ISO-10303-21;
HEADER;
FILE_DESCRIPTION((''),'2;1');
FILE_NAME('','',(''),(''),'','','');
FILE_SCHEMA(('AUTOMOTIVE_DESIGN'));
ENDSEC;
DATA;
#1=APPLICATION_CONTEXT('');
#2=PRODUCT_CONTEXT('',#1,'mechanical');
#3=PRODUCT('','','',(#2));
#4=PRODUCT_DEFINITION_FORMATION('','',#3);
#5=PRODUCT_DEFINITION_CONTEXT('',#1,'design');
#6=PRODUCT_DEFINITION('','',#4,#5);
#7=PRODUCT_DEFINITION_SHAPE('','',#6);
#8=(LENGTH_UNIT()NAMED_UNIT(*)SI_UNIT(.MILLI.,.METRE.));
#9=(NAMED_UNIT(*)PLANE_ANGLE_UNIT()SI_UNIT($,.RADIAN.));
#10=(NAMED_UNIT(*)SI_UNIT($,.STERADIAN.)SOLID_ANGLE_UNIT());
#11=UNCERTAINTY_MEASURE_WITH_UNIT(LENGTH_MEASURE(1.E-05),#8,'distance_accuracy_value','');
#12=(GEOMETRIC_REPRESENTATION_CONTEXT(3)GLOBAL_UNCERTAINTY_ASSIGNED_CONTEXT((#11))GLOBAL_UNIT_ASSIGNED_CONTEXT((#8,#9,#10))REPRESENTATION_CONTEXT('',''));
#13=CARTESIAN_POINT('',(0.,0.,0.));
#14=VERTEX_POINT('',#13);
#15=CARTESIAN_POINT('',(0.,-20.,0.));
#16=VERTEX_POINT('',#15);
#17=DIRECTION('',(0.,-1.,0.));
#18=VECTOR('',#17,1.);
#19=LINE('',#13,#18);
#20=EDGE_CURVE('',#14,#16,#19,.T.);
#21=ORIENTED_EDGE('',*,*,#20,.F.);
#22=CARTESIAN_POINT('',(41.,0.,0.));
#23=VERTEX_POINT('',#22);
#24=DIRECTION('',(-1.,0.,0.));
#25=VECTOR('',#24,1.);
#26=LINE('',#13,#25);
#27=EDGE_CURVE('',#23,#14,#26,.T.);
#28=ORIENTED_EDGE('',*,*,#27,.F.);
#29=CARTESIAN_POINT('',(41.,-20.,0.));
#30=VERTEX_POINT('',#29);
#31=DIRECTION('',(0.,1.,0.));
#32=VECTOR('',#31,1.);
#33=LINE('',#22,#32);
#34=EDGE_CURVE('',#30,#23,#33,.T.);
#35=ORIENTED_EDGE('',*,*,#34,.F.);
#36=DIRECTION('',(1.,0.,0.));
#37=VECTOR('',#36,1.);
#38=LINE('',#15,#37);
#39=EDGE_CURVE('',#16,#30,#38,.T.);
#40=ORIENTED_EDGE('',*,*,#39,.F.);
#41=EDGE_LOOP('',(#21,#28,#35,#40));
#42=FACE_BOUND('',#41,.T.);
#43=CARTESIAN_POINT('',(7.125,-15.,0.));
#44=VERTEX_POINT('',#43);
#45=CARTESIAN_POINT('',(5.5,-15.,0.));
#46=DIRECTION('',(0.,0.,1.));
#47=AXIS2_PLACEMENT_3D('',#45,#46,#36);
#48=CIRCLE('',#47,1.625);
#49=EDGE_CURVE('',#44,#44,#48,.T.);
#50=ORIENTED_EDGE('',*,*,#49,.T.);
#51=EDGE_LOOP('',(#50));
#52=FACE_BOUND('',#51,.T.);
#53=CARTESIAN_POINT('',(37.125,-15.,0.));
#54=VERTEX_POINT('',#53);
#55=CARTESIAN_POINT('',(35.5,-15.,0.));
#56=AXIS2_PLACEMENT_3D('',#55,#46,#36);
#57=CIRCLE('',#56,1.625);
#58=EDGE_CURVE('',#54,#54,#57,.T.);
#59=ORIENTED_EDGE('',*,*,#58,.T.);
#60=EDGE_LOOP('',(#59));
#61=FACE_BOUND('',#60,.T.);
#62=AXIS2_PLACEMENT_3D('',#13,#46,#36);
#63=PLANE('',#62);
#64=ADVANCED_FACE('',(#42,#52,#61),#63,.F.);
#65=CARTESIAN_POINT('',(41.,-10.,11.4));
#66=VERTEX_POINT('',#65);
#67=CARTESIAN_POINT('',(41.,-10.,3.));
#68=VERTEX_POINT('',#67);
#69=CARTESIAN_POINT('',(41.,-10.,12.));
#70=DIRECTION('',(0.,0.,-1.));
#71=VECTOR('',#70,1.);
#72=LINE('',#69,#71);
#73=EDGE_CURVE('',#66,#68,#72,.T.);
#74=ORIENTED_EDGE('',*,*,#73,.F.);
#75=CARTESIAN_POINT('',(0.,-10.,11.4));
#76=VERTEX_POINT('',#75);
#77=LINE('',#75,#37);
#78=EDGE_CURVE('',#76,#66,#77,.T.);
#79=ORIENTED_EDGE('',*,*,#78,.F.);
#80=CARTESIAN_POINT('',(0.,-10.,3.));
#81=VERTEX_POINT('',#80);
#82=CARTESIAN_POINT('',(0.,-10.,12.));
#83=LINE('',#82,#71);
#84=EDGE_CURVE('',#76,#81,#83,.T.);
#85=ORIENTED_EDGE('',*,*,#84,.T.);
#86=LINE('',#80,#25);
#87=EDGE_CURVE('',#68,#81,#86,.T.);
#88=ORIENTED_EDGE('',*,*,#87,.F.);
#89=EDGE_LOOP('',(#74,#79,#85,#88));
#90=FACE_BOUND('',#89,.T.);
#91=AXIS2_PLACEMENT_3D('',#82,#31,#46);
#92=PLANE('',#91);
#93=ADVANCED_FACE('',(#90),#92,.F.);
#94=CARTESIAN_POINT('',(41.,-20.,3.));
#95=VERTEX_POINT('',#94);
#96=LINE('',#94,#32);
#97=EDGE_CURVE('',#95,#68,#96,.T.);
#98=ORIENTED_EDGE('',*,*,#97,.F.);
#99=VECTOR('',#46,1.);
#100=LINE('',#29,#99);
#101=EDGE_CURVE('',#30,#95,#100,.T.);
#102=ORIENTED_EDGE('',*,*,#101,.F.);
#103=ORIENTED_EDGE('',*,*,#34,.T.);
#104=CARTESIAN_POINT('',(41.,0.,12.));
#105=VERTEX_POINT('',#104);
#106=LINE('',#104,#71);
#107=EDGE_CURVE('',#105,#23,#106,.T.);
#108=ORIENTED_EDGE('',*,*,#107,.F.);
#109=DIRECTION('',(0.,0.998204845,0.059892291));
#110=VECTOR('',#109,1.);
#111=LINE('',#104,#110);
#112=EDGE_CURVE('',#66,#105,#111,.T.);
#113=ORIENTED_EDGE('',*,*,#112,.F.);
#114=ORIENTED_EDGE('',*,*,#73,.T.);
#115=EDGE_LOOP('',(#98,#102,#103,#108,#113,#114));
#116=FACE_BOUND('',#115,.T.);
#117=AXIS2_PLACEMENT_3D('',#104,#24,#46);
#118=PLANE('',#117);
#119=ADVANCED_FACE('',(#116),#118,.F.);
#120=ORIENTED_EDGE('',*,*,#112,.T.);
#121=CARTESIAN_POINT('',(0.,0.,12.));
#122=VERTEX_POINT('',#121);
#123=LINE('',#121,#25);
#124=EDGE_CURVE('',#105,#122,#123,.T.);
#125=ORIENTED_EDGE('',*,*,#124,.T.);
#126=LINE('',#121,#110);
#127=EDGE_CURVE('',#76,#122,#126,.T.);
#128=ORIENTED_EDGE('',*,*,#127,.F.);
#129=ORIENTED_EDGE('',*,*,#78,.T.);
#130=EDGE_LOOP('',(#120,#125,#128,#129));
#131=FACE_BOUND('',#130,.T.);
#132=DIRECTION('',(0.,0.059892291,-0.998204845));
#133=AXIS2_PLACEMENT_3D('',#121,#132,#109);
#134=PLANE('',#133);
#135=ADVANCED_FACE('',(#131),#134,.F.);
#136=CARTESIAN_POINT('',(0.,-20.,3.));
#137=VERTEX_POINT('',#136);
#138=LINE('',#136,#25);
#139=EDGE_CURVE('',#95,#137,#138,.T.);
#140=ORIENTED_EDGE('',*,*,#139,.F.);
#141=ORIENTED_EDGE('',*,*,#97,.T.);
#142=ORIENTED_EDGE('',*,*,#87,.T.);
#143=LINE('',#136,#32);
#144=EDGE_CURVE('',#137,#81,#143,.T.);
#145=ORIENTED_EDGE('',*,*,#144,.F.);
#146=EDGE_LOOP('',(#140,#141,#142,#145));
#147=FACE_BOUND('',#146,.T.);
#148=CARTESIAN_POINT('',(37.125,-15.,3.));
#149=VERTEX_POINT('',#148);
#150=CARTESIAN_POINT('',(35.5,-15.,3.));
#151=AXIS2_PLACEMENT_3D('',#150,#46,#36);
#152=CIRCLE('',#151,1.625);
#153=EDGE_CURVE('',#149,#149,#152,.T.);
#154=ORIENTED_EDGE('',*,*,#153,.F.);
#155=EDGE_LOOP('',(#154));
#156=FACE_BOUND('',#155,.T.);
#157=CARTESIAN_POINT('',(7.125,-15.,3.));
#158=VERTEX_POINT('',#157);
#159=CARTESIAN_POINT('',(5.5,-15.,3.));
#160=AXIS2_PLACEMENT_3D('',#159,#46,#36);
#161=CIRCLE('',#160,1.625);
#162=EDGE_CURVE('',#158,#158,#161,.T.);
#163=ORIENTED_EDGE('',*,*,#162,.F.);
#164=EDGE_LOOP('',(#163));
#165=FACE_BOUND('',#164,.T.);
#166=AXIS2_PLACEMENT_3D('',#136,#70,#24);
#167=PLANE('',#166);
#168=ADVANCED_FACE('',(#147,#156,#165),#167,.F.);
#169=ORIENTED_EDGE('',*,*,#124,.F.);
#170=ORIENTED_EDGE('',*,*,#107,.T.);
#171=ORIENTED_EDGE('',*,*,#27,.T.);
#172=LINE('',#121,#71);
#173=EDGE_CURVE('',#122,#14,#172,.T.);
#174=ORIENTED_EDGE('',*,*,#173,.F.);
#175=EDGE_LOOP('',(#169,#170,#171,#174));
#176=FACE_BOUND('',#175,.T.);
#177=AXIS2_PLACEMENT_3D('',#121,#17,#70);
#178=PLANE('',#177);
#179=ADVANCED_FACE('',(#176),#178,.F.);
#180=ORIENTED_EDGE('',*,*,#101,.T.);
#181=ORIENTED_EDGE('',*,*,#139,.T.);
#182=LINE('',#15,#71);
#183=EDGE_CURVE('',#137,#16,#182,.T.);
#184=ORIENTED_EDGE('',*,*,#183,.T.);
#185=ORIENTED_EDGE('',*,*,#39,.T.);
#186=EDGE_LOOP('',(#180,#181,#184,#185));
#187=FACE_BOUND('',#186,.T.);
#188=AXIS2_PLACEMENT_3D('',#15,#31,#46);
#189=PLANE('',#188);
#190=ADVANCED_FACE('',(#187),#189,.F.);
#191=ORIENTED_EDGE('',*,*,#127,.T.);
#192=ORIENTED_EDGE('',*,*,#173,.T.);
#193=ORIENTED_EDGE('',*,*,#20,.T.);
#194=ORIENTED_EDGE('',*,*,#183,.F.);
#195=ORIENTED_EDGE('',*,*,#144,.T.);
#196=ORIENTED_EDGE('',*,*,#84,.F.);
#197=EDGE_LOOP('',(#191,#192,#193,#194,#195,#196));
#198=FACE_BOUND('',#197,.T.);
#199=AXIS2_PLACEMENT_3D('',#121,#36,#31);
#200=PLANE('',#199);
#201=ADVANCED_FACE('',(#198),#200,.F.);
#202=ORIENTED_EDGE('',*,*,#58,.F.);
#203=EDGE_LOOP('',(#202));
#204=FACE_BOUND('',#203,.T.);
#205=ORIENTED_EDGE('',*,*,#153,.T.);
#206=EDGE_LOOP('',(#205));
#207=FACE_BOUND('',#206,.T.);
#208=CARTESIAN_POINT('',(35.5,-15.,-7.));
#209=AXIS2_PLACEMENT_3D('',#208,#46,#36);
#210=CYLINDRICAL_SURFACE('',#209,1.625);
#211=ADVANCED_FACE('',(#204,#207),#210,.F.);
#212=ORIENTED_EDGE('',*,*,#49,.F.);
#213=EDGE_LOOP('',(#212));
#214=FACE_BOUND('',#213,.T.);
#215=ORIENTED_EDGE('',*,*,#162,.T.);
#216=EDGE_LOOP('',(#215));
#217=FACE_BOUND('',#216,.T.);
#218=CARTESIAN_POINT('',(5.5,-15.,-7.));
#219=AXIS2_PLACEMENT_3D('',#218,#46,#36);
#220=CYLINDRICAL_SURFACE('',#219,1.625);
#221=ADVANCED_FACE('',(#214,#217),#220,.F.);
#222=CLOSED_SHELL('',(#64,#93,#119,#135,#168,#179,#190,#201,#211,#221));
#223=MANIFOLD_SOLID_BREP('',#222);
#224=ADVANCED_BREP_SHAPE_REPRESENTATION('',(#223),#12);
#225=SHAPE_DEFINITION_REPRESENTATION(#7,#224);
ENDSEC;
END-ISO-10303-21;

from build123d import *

# Parameters (mm, degrees)
ESQUISSE1_W             = 41
ESQUISSE1_H             = 10
BOSS_EXTRU_1_DEPTH      = 12
ESQUISSE2_W             = 41
ESQUISSE2_H             = 3
BOSS_EXTRU_2_DEPTH      = 10
ESQUISSE3_R             = 1.625
ENL_V_MAT_EXTRU_1_DEPTH = 10
ENL_V_MAT_EXTRU_2_DEPTH = 42


with BuildPart() as part:
    # Esquisse1 → Boss.-Extru.1 (new body)
    with BuildSketch(Plane.XY):
        with Locations((20.5, -5)):
            Rectangle(ESQUISSE1_W, ESQUISSE1_H)
    extrude(amount=BOSS_EXTRU_1_DEPTH)

    # Esquisse2 → Boss.-Extru.2 (add)
    with BuildSketch(Plane.XZ.offset(10)):
        with Locations((20.5, 1.5)):
            Rectangle(ESQUISSE2_W, ESQUISSE2_H)
    extrude(amount=BOSS_EXTRU_2_DEPTH)

    # Esquisse3 → Enlèv. mat.-Extru.1 (cut)
    with BuildSketch(Plane.XY.offset(3)):
        with Locations((5.5, -15)):
            Circle(ESQUISSE3_R)
        with Locations((35.5, -15)):
            Circle(ESQUISSE3_R)
    extrude(amount=-ENL_V_MAT_EXTRU_1_DEPTH, mode=Mode.SUBTRACT)

    # Esquisse4 → Enlèv. mat.-Extru.2 (cut, through all)
    with BuildSketch(Plane(origin=(41, 0, 0), x_dir=(0, 0, -1), z_dir=(1, 0, 0))):
        Polygon((-12, 0), (-11.4, -10), (-12, -10), align=None)
    extrude(amount=-ENL_V_MAT_EXTRU_2_DEPTH, mode=Mode.SUBTRACT)


solid = part.part
